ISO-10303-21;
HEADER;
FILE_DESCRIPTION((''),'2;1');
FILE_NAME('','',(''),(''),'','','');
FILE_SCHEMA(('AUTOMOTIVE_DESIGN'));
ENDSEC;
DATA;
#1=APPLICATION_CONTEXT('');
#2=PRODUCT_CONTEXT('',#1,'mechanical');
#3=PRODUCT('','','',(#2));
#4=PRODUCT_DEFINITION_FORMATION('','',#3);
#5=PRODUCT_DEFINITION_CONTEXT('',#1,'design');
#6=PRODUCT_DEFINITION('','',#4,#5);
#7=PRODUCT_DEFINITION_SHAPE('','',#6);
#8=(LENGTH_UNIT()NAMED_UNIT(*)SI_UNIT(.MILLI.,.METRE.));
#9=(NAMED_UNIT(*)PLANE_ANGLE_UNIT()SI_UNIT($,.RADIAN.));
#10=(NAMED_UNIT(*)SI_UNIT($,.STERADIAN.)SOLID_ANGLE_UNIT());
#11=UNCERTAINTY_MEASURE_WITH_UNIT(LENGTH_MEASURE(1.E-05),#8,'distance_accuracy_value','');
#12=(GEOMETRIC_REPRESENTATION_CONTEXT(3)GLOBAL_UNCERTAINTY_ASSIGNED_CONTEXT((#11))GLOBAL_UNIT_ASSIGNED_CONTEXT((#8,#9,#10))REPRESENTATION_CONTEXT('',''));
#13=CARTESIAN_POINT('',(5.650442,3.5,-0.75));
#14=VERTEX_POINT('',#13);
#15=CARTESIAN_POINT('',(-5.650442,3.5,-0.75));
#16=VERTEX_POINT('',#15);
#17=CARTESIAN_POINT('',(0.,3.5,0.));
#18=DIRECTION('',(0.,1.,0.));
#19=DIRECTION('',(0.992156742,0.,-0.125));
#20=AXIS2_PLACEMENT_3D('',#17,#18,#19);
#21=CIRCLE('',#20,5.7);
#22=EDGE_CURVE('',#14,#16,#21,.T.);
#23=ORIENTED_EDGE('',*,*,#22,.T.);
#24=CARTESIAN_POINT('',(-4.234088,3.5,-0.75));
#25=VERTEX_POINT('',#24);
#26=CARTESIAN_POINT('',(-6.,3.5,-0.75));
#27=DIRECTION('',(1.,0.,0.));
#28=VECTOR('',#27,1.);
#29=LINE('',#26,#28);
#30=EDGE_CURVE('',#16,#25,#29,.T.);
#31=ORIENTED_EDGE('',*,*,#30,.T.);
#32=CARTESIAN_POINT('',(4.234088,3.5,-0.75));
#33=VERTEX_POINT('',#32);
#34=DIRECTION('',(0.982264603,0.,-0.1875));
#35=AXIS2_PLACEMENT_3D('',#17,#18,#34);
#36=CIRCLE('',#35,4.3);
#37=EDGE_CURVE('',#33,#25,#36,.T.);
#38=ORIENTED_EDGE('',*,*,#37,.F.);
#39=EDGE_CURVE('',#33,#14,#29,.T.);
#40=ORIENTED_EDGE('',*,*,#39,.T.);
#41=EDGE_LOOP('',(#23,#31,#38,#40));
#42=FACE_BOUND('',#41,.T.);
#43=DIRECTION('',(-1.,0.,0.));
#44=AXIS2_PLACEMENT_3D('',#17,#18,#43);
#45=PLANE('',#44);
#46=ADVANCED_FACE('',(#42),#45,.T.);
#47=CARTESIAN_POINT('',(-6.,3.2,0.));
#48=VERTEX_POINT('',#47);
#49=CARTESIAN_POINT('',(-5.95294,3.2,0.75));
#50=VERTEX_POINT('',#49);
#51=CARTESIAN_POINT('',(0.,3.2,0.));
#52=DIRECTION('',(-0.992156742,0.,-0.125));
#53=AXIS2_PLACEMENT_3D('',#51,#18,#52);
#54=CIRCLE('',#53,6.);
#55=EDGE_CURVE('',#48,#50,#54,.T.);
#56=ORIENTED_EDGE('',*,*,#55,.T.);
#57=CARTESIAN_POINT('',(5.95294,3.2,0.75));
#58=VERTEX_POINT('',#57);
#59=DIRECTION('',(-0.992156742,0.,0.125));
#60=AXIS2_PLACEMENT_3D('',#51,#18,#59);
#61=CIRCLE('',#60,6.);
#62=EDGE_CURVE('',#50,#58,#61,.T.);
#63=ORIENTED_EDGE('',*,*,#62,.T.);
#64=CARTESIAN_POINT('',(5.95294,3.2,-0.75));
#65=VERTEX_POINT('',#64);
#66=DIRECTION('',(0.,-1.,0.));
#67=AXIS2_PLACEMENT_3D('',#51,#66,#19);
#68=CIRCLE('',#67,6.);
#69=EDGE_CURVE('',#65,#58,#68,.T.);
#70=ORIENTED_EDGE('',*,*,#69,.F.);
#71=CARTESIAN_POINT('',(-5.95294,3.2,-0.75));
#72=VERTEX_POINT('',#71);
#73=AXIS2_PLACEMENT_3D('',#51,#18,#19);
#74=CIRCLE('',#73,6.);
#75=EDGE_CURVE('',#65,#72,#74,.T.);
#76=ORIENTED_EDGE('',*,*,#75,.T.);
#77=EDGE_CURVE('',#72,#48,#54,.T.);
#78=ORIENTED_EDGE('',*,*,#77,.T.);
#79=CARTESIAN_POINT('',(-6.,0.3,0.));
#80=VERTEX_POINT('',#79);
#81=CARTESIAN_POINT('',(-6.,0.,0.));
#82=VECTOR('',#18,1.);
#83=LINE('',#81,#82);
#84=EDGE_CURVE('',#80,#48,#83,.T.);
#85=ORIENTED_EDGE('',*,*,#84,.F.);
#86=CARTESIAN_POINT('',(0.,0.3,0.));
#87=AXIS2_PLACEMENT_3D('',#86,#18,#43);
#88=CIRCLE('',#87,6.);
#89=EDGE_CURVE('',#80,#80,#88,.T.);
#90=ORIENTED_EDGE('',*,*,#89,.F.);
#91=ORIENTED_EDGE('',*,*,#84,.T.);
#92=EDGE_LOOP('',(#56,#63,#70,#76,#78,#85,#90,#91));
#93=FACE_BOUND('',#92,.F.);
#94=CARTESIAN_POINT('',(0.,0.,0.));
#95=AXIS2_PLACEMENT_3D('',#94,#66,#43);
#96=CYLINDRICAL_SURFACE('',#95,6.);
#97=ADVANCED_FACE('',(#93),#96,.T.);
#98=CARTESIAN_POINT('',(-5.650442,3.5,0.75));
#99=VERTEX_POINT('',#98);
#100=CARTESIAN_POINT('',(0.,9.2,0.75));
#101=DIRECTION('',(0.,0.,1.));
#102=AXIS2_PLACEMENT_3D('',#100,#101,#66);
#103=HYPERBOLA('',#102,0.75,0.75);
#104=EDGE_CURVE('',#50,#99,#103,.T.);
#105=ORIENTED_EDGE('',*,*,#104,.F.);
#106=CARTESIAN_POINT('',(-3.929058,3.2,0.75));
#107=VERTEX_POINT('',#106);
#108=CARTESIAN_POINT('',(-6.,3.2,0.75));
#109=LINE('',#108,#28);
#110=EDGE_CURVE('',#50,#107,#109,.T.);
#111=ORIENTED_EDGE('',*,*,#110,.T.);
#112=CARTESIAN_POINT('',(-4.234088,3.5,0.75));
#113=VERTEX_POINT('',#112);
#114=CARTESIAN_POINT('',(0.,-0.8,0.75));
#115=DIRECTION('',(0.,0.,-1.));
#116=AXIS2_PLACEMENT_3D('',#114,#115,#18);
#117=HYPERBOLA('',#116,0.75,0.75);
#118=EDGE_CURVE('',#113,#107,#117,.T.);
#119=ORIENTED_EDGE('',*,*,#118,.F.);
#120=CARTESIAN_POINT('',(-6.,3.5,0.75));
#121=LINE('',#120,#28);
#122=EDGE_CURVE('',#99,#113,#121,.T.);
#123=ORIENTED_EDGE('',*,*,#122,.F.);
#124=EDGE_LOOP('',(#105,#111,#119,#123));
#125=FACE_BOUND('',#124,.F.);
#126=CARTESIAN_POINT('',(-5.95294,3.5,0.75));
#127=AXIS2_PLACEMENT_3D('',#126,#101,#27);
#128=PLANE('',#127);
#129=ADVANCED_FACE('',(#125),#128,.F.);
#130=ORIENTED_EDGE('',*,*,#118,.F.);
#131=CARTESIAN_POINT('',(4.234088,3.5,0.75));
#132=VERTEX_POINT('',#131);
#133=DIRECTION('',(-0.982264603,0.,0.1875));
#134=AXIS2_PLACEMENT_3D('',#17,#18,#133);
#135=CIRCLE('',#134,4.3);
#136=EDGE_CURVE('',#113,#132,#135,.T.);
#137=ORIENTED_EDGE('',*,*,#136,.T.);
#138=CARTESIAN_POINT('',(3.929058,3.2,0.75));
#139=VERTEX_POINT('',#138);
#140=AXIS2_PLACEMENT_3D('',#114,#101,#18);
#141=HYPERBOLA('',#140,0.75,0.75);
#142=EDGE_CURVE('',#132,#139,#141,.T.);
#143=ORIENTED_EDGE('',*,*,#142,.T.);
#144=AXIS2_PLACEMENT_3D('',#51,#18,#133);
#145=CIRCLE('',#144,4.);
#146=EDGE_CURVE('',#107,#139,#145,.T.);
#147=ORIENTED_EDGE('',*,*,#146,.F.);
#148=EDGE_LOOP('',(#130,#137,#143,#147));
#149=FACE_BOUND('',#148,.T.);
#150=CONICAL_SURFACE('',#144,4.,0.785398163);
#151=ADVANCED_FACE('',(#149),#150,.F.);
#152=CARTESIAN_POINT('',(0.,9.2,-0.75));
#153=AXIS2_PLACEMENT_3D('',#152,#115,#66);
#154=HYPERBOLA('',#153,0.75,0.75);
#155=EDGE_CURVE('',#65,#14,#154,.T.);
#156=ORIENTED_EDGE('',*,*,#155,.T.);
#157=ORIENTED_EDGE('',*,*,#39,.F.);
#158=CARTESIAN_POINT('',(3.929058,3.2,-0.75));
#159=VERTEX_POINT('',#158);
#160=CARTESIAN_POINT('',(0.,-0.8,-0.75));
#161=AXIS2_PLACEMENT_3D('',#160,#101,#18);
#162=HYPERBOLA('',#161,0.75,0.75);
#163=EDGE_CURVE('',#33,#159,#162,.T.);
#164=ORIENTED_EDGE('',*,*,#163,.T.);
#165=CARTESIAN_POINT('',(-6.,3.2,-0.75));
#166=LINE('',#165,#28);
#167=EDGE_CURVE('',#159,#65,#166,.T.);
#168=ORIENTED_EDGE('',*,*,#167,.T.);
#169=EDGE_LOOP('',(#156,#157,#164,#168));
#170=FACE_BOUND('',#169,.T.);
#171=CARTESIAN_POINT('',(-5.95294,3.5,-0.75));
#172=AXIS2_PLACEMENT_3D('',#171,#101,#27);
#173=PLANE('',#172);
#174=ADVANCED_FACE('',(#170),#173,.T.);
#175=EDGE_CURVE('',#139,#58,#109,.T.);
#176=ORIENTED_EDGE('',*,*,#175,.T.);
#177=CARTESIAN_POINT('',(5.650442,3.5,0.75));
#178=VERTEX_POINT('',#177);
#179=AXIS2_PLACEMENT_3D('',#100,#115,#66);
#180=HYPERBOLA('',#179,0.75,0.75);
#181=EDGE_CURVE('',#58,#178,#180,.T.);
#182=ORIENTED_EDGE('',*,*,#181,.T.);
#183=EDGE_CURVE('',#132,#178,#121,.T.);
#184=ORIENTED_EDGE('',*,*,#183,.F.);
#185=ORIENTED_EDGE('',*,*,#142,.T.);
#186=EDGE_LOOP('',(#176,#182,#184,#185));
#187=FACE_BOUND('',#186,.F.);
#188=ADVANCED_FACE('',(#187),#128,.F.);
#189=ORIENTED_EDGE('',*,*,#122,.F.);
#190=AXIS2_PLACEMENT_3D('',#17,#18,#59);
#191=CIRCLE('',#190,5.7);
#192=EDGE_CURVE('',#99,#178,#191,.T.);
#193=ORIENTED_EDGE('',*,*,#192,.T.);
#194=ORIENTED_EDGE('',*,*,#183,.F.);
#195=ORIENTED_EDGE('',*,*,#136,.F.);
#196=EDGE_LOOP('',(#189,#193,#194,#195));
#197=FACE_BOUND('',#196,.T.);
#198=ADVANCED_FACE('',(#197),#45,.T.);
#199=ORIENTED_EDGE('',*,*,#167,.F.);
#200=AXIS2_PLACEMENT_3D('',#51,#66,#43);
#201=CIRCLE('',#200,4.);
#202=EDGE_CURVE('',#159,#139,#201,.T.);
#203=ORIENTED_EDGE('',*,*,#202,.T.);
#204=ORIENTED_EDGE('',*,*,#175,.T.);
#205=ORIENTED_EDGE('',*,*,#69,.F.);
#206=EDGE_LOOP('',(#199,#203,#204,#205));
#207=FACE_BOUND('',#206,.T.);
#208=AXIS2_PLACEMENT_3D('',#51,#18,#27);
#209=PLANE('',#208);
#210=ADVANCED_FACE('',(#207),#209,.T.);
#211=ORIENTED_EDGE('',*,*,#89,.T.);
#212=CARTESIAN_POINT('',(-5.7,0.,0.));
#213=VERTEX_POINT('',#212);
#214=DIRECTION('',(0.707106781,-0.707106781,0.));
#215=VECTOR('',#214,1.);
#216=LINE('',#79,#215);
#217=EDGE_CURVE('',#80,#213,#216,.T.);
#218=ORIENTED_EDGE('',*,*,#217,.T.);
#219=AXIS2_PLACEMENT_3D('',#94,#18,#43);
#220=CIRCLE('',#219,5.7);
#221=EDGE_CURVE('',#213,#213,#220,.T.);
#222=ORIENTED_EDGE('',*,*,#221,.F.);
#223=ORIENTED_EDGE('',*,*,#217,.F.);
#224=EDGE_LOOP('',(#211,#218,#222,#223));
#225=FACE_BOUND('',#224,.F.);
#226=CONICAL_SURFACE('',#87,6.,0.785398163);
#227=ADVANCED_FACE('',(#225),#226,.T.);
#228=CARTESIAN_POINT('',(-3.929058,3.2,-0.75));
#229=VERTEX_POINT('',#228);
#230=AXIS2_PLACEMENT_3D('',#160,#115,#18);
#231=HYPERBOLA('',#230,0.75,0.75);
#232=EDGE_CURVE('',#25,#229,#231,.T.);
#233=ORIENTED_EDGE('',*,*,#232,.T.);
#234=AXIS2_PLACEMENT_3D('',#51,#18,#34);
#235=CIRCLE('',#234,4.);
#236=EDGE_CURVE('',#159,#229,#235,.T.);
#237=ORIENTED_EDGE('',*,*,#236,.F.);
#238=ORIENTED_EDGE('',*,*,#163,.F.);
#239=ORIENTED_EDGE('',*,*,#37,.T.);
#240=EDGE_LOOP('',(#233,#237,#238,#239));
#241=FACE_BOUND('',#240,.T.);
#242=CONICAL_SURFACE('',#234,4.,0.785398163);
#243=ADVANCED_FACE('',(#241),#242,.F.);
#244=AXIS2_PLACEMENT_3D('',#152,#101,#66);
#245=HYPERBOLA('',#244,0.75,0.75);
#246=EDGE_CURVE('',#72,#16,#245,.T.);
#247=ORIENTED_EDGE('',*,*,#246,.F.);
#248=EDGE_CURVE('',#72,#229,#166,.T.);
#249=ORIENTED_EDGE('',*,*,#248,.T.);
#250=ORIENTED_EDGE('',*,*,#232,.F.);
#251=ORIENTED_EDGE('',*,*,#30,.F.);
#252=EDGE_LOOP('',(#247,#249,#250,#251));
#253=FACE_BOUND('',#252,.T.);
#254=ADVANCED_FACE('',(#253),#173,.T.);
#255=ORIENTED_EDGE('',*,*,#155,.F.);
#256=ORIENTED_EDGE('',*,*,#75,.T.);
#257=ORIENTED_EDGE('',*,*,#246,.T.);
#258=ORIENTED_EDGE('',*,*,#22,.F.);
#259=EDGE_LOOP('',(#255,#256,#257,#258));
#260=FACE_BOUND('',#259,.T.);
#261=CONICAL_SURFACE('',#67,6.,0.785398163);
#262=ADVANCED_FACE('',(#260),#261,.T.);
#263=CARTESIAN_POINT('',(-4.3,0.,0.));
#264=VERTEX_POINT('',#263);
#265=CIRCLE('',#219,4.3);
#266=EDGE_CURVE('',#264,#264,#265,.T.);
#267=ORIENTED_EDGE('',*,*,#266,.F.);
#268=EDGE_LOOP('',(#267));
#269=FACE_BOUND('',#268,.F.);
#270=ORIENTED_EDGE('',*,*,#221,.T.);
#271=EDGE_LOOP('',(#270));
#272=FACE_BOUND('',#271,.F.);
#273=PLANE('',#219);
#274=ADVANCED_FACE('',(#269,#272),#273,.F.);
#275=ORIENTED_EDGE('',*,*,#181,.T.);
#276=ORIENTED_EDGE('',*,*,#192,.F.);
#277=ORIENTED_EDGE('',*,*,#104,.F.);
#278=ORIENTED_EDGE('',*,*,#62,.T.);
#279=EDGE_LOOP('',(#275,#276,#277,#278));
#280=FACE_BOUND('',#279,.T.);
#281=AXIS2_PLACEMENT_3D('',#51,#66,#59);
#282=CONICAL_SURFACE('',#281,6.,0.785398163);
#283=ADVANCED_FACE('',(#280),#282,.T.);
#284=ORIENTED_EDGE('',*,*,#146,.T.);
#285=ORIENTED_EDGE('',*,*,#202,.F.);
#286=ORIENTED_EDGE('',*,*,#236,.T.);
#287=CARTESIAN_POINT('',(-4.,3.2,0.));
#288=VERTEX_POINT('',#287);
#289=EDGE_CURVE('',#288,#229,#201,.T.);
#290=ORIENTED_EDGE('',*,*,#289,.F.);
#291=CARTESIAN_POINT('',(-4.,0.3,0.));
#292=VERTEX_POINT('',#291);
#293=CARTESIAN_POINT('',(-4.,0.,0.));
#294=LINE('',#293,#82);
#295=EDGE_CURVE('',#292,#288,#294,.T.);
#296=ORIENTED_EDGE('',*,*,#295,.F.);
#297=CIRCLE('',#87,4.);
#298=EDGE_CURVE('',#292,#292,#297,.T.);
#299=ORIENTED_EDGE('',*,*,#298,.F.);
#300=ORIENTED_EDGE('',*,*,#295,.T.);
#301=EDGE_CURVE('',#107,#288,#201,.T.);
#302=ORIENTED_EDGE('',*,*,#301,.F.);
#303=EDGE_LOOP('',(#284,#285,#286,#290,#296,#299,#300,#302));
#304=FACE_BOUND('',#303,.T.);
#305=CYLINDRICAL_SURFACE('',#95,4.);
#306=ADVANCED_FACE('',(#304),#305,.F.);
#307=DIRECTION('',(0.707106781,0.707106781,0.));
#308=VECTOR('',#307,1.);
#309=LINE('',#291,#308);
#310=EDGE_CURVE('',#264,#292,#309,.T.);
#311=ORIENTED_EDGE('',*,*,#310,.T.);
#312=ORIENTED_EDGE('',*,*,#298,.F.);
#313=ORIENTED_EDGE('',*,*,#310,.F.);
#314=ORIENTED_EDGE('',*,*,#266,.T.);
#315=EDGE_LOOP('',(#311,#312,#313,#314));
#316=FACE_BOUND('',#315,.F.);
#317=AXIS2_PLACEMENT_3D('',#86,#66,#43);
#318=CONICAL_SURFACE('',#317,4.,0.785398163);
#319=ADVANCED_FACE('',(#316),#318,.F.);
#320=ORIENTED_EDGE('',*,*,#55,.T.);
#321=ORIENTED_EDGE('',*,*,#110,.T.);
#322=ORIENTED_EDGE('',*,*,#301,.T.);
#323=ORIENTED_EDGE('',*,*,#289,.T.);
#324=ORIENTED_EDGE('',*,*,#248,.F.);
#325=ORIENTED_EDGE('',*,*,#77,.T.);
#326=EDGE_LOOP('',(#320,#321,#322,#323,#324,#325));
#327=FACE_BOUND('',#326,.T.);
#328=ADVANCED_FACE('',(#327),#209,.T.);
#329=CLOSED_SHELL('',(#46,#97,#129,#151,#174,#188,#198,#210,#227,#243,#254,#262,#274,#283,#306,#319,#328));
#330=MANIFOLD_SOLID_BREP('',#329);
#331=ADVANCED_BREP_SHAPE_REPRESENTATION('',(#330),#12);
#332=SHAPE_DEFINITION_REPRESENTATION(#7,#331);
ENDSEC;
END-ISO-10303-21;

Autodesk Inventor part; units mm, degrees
ref_plane "YZ Plane" through (0, 0, 0) normal (1, 0, 0) x (0, 1, 0)
ref_plane "XZ Plane" through (0, 0, 0) normal (0, 1, 0) x (-1, 0, 0)
ref_plane "XY Plane" through (0, 0, 0) normal (0, 0, 1) x (1, 0, 0)
sketch "スケッチ1" plane through (0, 0, 0) normal (0, 1, 0) x (-1, 0, 0)
  circle A0 centre (0, 0) radius 6
  circle A1 centre (0, 0) radius 4
  dimension "d0" = 12
  dimension "d1" = 8
extrude "押し出し1" add sketch "スケッチ1" along normal blind 3.5
sketch "スケッチ2" plane through (0, 3.5, 0) normal (0, 1, 0) x (1, 0, 0)
  circle A0 centre (0, 0) radius 6 projected
  line L0 (-6, 0) -> (6, 0)
  line L1 (-6, 0.75) -> (6, 0.75)
  line L2 (-6, 0.75) -> (-6, 0)
  line L3 (6, 0.75) -> (6, 0)
  line L4 (-6, -0.75) -> (6, -0.75)
  line L5 (-6, -0.75) -> (-6, 0)
  line L6 (6, -0.75) -> (6, 0)
  point P0 (5.9529, 0.75)
  point P1 (-5.9529, 0.75)
  point P2 (-5.9529, -0.75)
  point P3 (5.9529, -0.75)
  dimension "d4" = 0.75
extrude "押し出し2" cut sketch "スケッチ2" against normal blind 0.3 contours L0 A0 L1 | A0 L4 L0
chamfer "面取り1" distance 0.3 angle 45 6 edges at (0, 3.5, 4) (0, 3.5, -4) (0, 3.5, -6) (0, 3.5, 6) (6, 0, 0) (4, 0, 0)
properties part number "GSB-081235"
